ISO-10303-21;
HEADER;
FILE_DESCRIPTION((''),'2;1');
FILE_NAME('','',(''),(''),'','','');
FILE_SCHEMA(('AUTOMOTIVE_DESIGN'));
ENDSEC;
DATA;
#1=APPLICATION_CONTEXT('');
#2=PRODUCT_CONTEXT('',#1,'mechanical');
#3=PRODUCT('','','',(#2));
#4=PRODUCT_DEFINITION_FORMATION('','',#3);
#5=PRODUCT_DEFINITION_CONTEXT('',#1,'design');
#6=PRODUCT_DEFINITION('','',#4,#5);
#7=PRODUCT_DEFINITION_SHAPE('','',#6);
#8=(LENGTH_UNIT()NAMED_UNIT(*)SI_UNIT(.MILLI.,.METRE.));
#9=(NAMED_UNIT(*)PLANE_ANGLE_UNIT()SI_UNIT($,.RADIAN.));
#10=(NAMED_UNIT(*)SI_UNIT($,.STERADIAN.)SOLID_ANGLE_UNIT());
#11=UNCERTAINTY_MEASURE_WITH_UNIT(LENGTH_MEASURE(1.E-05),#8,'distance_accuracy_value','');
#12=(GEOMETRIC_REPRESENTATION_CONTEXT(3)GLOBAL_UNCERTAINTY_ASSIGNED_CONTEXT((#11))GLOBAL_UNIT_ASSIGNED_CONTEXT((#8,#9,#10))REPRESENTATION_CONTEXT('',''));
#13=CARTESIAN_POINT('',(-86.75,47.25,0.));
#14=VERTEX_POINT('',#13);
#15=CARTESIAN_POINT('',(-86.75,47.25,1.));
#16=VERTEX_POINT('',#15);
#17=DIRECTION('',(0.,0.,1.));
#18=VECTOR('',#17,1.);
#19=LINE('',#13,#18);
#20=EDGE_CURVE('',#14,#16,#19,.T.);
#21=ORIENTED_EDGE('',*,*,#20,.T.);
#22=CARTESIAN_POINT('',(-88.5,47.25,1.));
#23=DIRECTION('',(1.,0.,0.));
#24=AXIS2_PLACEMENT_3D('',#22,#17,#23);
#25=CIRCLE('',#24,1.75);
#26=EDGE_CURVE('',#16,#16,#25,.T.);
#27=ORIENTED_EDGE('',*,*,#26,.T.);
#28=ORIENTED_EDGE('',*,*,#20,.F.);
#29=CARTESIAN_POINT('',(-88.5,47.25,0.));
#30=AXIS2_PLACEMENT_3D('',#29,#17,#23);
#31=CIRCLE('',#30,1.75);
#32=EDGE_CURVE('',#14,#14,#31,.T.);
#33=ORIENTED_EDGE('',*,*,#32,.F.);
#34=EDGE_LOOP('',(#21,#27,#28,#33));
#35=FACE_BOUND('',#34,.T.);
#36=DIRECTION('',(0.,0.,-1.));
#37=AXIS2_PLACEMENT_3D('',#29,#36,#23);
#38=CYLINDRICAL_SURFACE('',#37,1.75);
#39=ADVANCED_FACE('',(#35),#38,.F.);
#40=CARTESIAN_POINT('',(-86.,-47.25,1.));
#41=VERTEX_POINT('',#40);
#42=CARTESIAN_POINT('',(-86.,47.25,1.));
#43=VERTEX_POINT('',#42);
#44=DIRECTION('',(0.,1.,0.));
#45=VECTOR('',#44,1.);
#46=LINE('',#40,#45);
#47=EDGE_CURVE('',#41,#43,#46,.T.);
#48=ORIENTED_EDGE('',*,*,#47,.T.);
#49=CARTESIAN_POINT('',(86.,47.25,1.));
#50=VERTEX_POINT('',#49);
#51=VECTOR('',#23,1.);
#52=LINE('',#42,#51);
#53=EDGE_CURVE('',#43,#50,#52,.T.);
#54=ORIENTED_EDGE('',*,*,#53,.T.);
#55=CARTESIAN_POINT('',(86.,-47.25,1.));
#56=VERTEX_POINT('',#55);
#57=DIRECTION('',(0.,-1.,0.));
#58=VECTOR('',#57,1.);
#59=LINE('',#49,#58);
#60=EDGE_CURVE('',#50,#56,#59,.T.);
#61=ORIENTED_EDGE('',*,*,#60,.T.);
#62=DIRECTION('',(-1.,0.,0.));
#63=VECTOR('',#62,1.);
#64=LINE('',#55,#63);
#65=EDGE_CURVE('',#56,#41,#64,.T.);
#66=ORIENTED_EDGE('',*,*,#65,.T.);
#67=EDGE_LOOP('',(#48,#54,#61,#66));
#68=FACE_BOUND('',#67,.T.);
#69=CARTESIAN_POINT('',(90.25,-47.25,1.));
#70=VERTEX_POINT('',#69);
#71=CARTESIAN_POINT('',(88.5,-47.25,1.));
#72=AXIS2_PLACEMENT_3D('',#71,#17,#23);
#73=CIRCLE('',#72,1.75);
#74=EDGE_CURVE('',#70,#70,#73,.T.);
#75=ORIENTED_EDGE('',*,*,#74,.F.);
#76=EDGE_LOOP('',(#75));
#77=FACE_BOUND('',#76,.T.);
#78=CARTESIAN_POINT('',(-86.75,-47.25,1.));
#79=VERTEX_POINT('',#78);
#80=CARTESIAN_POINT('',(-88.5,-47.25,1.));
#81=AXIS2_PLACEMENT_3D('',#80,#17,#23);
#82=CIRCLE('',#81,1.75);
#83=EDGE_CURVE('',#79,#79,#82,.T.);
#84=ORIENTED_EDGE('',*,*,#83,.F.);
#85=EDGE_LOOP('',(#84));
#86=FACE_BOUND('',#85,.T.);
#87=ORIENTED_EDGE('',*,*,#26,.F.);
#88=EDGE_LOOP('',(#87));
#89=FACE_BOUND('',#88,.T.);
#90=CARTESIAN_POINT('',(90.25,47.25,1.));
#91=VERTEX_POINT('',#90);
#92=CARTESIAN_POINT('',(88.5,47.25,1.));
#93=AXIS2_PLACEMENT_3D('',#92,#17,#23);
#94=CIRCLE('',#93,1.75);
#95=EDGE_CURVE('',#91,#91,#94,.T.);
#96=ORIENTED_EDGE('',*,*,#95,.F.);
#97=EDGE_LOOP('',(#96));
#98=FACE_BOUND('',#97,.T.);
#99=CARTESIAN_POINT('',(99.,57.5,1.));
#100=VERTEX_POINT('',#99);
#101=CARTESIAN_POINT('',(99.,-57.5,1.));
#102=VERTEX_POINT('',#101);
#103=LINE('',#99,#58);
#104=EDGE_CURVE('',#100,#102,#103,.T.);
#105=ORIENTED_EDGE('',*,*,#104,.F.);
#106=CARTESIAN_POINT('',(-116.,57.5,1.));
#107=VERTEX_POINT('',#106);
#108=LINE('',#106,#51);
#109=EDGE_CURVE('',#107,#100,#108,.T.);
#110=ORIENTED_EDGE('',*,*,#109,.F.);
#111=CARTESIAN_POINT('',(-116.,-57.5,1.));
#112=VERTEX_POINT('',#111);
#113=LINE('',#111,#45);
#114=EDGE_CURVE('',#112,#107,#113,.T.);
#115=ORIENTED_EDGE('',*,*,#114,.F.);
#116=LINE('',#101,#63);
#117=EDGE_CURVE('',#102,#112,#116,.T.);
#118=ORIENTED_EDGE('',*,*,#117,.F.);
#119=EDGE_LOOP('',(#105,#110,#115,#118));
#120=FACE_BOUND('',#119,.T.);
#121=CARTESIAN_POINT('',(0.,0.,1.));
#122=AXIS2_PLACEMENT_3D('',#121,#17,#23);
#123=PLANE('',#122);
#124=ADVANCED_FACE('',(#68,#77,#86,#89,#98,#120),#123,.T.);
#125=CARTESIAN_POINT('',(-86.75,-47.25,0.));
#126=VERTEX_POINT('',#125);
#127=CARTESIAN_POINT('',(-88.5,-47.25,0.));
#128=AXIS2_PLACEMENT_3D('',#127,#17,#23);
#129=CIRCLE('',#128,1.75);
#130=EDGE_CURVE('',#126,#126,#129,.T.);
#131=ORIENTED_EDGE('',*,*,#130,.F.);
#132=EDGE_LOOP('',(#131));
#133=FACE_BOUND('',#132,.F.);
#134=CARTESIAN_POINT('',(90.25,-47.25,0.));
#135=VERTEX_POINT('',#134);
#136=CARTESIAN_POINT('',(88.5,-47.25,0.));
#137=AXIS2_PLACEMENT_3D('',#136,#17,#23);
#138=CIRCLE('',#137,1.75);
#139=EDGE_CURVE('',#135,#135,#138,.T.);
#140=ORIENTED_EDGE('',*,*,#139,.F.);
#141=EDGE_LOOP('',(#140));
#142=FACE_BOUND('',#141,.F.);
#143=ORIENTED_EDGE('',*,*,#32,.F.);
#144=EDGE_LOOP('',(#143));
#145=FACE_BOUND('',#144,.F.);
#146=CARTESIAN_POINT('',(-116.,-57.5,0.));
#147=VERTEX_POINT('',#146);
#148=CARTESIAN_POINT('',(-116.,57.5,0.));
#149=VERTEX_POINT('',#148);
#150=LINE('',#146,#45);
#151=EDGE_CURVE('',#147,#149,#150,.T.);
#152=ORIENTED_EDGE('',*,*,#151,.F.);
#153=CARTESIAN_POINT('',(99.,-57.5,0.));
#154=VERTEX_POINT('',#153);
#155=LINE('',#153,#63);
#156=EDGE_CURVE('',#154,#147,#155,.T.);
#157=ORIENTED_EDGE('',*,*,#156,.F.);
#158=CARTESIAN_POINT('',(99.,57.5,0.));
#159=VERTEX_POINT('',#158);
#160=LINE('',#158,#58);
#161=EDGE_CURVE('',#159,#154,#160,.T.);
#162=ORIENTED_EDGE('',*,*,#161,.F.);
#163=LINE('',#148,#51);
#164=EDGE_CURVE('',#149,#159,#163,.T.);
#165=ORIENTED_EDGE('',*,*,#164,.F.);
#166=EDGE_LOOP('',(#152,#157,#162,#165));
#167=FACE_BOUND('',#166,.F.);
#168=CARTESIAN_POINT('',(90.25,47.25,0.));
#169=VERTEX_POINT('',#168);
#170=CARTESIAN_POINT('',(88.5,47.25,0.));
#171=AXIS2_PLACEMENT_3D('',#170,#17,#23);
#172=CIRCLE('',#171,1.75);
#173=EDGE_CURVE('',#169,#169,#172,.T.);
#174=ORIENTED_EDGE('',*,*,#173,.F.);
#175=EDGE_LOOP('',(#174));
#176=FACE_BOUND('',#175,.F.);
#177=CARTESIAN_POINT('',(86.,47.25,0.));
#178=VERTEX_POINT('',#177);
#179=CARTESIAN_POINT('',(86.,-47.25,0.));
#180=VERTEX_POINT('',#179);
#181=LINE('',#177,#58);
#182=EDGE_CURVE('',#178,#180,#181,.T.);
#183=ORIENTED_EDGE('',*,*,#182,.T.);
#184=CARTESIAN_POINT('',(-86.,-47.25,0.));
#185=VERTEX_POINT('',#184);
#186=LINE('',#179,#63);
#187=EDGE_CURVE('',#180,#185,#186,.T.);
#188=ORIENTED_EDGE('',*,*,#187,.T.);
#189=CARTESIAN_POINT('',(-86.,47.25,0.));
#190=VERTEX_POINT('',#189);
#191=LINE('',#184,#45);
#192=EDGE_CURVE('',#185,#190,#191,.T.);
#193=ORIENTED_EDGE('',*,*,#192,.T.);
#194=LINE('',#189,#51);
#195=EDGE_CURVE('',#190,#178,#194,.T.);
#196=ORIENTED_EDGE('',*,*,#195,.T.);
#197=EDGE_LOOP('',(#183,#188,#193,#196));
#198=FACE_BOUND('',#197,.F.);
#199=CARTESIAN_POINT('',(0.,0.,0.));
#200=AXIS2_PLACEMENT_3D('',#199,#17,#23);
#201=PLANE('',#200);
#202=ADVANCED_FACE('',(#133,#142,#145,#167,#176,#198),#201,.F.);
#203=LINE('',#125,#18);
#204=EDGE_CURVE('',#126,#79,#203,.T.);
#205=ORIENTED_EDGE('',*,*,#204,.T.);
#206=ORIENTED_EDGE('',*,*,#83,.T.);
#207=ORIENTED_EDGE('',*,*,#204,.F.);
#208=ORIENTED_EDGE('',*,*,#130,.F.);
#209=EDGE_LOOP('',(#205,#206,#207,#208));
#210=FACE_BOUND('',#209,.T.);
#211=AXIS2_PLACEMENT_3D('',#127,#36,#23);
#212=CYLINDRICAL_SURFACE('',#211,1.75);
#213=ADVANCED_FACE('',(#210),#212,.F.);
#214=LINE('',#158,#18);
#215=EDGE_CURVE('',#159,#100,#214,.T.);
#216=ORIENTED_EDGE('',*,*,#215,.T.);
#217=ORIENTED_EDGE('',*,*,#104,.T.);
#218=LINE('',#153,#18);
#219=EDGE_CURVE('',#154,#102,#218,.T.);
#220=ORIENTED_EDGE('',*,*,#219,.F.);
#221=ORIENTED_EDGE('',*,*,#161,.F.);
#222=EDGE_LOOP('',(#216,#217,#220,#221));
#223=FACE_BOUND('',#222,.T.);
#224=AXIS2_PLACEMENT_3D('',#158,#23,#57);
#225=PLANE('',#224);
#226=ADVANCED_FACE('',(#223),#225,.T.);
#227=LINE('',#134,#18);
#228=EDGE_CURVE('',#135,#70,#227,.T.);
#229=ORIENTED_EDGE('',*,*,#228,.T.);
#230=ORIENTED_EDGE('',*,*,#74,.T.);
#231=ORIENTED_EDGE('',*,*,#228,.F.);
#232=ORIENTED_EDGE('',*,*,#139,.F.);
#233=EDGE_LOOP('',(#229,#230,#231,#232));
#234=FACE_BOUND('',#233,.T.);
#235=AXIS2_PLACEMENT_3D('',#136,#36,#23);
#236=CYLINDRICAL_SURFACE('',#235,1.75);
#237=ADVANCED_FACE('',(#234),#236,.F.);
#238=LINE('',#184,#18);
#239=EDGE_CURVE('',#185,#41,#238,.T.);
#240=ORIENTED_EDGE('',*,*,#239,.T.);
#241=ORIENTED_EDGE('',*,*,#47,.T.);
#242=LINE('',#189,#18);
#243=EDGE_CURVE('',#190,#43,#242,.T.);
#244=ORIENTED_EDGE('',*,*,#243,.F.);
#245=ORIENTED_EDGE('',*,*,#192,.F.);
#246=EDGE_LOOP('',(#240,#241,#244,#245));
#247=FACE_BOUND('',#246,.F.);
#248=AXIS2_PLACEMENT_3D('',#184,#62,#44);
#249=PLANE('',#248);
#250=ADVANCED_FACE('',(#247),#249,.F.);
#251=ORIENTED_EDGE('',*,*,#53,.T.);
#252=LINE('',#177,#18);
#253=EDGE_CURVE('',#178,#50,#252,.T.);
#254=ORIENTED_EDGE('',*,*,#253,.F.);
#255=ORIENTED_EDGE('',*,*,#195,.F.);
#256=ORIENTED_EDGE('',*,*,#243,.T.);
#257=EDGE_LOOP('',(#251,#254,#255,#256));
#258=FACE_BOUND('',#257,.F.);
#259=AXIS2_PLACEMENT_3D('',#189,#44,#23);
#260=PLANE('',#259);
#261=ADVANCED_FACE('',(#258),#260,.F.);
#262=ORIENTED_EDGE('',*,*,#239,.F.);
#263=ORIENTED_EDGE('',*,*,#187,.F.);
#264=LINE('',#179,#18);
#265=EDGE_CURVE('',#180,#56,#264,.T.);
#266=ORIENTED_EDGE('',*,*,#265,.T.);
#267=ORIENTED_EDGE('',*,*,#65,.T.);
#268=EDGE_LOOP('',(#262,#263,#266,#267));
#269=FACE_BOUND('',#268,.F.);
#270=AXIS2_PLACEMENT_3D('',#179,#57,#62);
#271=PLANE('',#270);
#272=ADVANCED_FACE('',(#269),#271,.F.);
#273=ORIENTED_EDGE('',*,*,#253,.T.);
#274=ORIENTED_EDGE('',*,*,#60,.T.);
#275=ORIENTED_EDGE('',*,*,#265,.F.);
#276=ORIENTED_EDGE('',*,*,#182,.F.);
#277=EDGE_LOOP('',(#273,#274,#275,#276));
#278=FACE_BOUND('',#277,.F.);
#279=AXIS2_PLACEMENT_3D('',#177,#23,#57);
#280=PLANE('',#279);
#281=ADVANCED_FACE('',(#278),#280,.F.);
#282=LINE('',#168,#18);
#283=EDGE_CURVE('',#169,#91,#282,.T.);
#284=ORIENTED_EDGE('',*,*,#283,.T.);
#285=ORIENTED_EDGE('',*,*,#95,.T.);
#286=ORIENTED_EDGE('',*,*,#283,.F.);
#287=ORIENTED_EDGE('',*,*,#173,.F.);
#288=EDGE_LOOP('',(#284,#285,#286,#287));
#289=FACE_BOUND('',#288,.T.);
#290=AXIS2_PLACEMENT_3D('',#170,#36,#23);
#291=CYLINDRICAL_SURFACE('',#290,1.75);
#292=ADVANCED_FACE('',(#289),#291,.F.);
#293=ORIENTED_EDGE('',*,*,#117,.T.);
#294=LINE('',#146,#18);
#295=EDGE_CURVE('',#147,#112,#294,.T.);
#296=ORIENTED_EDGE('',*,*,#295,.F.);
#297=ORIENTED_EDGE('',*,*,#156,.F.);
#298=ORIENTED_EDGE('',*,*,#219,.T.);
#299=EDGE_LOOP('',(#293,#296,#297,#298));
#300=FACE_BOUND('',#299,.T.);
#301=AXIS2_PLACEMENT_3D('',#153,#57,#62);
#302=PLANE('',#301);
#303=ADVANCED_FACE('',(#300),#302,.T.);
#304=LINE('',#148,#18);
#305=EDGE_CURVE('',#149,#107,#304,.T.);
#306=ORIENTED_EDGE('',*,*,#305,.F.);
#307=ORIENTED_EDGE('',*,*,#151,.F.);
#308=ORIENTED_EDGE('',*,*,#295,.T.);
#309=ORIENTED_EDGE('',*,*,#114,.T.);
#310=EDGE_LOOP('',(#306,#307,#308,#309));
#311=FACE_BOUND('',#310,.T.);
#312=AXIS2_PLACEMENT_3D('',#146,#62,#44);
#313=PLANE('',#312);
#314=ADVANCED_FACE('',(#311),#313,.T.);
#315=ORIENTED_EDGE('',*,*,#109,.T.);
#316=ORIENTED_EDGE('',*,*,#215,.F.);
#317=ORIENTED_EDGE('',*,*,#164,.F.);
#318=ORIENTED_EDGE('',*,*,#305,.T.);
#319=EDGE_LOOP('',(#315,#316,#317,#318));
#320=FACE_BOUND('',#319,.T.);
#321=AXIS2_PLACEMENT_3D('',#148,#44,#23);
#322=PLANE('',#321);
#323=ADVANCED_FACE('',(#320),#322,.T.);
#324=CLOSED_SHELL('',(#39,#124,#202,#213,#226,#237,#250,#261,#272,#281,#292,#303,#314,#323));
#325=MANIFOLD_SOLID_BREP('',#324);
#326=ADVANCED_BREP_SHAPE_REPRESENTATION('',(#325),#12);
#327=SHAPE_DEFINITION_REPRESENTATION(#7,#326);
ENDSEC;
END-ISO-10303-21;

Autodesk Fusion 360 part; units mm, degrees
sketch "Sketch1" plane through (0, 0, 0) normal (0, 0, 1) x (1, 0, 0)
  line L0 (88.5, -47.25) -> (-88.5, -47.25) construction
  line L1 (-88.5, -47.25) -> (-88.5, 47.25) construction
  line L2 (-88.5, 47.25) -> (88.5, 47.25) construction
  line L3 (88.5, 47.25) -> (88.5, -47.25) construction
  line L4 (88.5, -47.25) -> (-88.5, 47.25) construction
  line L5 (-88.5, -47.25) -> (88.5, 47.25) construction
  circle A0 centre (-88.5, 47.25) radius 1.75
  circle A1 centre (88.5, 47.25) radius 1.75
  circle A2 centre (88.5, -47.25) radius 1.75
  circle A3 centre (-88.5, -47.25) radius 1.75
  circle A4 centre (88.5, -47.25) radius 2.5
  circle A5 centre (88.5, 47.25) radius 2.5
  circle A6 centre (-88.5, 47.25) radius 2.5
  circle A7 centre (-88.5, -47.25) radius 2.5
  line L6 (86, -47.25) -> (-86, -47.25)
  line L7 (-86, -47.25) -> (-86, 47.25)
  line L8 (-86, 47.25) -> (86, 47.25)
  line L9 (86, 47.25) -> (86, -47.25)
  line L10 (86, -47.25) -> (-86, 47.25) construction
  line L11 (-86, -47.25) -> (86, 47.25) construction
  line L12 (99, -57.5) -> (-116, -57.5)
  line L13 (-116, -57.5) -> (-116, 57.5)
  line L14 (-116, 57.5) -> (99, 57.5)
  line L15 (99, 57.5) -> (99, -57.5)
  dimension "d1" = 177
  dimension "d2" = 94.5
  dimension "d3" = 3.5
  dimension "d4" = 3.5
  dimension "d5" = 3.5
  dimension "d6" = 3.5
  dimension "d7" = 5
  dimension "d8" = 5
  dimension "d9" = 5
  dimension "d10" = 5
  dimension "d11" = 215
  dimension "d12" = 115
  dimension "d15" = 27.5
  dimension "d16" = 57.5
extrude "Extrude1" add sketch "Sketch1" along normal blind 1 contours A4 | A7 | A6 | A5 | L12 L13 L14 L15
sketch "Sketch2" plane through (0, 0, 1) normal (0, 0, 1) x (-1, 0, 0)
  circle A0 centre (-88.5, -47.25) radius 1.75
  circle A1 centre (88.5, -47.25) radius 1.75
  line L0 (86, -47.25) -> (-86, -47.25)
  line L1 (-86, -47.25) -> (-86, 47.25)
  line L2 (-86, 47.25) -> (86, 47.25)
  line L3 (86, 47.25) -> (86, -47.25)
  circle A2 centre (88.5, 47.25) radius 1.75
  circle A3 centre (-88.5, 47.25) radius 1.75
  line L4 (-99, -57.5) -> (116, -57.5)
  line L5 (116, -57.5) -> (116, 57.5)
  line L6 (116, 57.5) -> (-99, 57.5)
  line L7 (-99, 57.5) -> (-99, -57.5)
